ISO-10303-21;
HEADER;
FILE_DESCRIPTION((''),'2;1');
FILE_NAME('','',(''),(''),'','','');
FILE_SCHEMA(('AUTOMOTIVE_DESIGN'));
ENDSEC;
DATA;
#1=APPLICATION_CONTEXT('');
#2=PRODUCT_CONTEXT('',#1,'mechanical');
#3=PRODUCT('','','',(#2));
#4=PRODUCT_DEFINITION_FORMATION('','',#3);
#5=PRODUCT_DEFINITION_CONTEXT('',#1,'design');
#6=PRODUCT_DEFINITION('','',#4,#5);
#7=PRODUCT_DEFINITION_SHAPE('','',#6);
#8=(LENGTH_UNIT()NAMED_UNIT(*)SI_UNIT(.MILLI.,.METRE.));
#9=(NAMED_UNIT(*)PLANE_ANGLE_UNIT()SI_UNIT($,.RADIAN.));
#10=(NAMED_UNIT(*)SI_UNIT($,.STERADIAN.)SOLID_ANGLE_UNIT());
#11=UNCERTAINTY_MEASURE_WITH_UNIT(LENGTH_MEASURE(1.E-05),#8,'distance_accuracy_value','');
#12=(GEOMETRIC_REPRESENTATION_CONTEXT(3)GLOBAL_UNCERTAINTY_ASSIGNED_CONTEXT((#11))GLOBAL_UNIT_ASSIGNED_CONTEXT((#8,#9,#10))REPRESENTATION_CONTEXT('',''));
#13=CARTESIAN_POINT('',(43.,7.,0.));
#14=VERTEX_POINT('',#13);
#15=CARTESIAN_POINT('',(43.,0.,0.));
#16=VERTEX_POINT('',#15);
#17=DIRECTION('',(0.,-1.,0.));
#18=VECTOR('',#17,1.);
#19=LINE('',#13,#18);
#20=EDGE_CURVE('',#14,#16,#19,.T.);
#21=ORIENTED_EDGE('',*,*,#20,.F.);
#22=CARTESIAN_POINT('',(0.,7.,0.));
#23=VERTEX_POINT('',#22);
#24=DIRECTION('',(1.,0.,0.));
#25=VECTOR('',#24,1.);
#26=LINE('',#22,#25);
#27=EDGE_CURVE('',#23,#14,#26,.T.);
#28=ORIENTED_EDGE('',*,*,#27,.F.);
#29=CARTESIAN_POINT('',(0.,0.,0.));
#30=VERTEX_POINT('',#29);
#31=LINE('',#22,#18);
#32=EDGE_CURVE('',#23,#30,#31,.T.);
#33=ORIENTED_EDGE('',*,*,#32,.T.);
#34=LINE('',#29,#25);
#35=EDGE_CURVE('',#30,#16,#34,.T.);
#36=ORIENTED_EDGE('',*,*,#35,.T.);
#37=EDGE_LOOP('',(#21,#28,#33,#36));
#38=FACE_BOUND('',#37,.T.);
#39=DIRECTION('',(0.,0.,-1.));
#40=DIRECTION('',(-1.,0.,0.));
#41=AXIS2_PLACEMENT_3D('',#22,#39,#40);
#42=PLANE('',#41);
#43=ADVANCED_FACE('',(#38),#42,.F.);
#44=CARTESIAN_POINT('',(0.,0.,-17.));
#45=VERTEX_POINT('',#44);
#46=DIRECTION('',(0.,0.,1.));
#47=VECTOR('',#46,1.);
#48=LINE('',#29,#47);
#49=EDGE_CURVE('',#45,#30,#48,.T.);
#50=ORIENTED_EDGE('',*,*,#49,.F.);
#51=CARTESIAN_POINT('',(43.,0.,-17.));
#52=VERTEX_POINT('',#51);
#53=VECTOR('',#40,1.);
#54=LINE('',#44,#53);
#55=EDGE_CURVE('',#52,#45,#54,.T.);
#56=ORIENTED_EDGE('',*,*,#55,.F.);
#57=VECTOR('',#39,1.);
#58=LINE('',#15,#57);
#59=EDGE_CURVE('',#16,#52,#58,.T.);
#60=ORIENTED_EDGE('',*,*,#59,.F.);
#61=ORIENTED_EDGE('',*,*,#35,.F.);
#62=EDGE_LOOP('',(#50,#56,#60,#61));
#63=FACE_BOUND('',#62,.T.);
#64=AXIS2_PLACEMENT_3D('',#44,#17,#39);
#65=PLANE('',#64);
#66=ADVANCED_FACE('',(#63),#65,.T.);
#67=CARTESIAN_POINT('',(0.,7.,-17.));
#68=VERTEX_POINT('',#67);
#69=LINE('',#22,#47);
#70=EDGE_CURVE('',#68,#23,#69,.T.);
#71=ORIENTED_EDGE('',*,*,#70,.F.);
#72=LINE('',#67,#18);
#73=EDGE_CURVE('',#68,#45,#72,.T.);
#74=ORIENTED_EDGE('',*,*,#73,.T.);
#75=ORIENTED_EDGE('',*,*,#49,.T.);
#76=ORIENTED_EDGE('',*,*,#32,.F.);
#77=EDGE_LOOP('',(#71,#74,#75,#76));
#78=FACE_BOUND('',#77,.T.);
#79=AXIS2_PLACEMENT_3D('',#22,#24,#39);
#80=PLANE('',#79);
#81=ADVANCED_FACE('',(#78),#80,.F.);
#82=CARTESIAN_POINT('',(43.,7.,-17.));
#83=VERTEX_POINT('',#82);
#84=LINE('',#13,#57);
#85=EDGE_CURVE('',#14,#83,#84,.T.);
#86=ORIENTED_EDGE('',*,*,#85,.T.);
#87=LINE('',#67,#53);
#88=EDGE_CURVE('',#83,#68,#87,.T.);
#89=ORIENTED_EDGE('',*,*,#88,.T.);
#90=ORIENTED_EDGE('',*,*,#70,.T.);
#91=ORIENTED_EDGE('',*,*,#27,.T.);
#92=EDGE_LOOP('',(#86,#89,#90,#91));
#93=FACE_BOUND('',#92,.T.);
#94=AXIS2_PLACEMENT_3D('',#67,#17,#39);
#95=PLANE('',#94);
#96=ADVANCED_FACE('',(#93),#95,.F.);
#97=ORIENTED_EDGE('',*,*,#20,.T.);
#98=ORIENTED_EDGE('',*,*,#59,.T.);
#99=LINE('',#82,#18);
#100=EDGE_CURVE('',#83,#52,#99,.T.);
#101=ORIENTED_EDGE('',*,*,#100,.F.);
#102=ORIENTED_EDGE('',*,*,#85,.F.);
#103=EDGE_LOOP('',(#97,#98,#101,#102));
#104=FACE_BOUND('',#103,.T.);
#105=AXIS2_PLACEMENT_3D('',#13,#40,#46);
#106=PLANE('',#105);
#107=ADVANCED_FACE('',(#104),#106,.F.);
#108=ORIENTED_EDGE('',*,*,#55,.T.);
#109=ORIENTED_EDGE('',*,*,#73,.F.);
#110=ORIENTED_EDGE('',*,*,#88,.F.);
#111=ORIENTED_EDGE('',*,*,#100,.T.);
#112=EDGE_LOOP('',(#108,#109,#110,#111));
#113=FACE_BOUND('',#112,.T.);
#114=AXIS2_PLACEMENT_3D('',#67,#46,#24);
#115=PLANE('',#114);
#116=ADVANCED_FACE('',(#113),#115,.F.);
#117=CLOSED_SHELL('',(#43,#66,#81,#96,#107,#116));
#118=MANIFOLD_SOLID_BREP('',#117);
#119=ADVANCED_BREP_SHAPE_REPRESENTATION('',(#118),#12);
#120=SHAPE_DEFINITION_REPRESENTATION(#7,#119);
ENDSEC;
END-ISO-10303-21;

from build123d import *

# Parameters (mm, degrees)
SKETCH1_W           = 43
SKETCH1_H           = 17
BOSS_EXTRUDE1_DEPTH = 7


with BuildPart() as part:
    # Sketch1 → Boss-Extrude1 (new body)
    with BuildSketch(Plane(origin=(0, 0, 0), x_dir=(1, 0, 0), z_dir=(0, 1, 0))):
        with Locations((21.5, 8.5)):
            Rectangle(SKETCH1_W, SKETCH1_H)
    extrude(amount=BOSS_EXTRUDE1_DEPTH)


solid = part.part
